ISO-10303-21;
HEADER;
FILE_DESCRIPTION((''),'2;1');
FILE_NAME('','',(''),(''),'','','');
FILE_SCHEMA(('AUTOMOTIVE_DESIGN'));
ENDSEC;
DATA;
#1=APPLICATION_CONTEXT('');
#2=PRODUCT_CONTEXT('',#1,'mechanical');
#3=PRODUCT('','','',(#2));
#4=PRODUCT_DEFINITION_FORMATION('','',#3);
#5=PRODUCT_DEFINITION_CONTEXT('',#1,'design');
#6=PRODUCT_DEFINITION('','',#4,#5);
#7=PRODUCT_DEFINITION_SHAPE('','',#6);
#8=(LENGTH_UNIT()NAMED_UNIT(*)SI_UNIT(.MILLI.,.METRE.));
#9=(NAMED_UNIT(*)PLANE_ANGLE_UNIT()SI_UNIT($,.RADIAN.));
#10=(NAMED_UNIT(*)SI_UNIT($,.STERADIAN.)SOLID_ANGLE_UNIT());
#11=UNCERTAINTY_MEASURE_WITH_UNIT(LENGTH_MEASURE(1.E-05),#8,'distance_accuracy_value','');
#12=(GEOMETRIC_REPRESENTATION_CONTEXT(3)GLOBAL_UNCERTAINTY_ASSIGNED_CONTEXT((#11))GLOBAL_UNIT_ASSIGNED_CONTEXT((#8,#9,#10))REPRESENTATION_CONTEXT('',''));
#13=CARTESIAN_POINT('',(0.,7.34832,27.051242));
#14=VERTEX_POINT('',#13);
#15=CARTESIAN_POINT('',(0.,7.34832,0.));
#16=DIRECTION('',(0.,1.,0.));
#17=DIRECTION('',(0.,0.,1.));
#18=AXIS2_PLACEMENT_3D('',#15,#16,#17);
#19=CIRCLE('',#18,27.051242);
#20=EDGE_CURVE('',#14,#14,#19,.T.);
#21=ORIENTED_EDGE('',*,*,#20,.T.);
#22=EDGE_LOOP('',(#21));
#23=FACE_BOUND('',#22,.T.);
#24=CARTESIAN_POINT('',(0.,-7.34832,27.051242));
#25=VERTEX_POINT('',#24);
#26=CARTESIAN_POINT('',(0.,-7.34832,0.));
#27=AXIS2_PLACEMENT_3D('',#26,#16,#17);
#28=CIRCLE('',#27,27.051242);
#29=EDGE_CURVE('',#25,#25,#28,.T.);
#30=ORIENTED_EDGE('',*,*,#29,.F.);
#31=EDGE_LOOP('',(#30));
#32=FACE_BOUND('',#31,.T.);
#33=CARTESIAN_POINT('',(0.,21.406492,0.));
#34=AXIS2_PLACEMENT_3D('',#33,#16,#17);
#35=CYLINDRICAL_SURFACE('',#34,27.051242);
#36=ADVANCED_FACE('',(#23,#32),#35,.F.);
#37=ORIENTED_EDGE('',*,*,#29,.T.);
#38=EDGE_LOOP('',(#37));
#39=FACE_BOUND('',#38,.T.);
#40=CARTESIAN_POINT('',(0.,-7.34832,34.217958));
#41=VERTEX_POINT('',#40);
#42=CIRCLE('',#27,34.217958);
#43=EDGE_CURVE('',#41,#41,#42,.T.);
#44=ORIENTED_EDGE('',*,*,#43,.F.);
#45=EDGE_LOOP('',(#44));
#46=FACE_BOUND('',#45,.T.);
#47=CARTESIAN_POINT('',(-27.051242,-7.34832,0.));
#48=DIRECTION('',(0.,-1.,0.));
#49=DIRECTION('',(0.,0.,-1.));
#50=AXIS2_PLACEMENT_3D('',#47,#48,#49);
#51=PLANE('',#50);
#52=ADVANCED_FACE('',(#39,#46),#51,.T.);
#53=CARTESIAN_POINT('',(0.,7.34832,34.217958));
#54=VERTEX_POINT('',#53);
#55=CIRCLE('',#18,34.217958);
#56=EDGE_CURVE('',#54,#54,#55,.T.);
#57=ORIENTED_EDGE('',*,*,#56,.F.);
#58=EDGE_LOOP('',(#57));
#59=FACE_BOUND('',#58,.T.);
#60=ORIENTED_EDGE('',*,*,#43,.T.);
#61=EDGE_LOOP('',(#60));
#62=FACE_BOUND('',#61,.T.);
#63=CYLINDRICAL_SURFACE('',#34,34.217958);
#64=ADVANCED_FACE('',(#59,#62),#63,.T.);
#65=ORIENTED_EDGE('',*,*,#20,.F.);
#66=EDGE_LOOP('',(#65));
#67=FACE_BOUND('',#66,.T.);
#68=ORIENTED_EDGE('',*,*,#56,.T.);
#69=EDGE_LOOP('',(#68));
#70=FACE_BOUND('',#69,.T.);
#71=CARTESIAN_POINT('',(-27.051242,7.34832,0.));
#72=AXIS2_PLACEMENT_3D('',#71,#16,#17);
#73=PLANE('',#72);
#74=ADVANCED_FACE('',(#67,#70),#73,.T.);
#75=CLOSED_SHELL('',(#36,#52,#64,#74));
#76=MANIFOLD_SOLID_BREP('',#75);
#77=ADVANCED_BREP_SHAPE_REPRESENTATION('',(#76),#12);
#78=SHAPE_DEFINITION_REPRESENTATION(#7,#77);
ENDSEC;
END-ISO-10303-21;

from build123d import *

# Parameters (mm, degrees)
SKETCH1_W = 7.166716326
SKETCH1_H = 14.696640474


with BuildPart() as part:
    # Sketch1 → Revolve1 (revolve)
    with BuildSketch(Plane.XY):
        with Locations((-30.634599911, 0)):
            Rectangle(SKETCH1_W, SKETCH1_H)
    revolve(axis=Axis((0, 21.406491511, 0), (0, -1, 0)))


solid = part.part
